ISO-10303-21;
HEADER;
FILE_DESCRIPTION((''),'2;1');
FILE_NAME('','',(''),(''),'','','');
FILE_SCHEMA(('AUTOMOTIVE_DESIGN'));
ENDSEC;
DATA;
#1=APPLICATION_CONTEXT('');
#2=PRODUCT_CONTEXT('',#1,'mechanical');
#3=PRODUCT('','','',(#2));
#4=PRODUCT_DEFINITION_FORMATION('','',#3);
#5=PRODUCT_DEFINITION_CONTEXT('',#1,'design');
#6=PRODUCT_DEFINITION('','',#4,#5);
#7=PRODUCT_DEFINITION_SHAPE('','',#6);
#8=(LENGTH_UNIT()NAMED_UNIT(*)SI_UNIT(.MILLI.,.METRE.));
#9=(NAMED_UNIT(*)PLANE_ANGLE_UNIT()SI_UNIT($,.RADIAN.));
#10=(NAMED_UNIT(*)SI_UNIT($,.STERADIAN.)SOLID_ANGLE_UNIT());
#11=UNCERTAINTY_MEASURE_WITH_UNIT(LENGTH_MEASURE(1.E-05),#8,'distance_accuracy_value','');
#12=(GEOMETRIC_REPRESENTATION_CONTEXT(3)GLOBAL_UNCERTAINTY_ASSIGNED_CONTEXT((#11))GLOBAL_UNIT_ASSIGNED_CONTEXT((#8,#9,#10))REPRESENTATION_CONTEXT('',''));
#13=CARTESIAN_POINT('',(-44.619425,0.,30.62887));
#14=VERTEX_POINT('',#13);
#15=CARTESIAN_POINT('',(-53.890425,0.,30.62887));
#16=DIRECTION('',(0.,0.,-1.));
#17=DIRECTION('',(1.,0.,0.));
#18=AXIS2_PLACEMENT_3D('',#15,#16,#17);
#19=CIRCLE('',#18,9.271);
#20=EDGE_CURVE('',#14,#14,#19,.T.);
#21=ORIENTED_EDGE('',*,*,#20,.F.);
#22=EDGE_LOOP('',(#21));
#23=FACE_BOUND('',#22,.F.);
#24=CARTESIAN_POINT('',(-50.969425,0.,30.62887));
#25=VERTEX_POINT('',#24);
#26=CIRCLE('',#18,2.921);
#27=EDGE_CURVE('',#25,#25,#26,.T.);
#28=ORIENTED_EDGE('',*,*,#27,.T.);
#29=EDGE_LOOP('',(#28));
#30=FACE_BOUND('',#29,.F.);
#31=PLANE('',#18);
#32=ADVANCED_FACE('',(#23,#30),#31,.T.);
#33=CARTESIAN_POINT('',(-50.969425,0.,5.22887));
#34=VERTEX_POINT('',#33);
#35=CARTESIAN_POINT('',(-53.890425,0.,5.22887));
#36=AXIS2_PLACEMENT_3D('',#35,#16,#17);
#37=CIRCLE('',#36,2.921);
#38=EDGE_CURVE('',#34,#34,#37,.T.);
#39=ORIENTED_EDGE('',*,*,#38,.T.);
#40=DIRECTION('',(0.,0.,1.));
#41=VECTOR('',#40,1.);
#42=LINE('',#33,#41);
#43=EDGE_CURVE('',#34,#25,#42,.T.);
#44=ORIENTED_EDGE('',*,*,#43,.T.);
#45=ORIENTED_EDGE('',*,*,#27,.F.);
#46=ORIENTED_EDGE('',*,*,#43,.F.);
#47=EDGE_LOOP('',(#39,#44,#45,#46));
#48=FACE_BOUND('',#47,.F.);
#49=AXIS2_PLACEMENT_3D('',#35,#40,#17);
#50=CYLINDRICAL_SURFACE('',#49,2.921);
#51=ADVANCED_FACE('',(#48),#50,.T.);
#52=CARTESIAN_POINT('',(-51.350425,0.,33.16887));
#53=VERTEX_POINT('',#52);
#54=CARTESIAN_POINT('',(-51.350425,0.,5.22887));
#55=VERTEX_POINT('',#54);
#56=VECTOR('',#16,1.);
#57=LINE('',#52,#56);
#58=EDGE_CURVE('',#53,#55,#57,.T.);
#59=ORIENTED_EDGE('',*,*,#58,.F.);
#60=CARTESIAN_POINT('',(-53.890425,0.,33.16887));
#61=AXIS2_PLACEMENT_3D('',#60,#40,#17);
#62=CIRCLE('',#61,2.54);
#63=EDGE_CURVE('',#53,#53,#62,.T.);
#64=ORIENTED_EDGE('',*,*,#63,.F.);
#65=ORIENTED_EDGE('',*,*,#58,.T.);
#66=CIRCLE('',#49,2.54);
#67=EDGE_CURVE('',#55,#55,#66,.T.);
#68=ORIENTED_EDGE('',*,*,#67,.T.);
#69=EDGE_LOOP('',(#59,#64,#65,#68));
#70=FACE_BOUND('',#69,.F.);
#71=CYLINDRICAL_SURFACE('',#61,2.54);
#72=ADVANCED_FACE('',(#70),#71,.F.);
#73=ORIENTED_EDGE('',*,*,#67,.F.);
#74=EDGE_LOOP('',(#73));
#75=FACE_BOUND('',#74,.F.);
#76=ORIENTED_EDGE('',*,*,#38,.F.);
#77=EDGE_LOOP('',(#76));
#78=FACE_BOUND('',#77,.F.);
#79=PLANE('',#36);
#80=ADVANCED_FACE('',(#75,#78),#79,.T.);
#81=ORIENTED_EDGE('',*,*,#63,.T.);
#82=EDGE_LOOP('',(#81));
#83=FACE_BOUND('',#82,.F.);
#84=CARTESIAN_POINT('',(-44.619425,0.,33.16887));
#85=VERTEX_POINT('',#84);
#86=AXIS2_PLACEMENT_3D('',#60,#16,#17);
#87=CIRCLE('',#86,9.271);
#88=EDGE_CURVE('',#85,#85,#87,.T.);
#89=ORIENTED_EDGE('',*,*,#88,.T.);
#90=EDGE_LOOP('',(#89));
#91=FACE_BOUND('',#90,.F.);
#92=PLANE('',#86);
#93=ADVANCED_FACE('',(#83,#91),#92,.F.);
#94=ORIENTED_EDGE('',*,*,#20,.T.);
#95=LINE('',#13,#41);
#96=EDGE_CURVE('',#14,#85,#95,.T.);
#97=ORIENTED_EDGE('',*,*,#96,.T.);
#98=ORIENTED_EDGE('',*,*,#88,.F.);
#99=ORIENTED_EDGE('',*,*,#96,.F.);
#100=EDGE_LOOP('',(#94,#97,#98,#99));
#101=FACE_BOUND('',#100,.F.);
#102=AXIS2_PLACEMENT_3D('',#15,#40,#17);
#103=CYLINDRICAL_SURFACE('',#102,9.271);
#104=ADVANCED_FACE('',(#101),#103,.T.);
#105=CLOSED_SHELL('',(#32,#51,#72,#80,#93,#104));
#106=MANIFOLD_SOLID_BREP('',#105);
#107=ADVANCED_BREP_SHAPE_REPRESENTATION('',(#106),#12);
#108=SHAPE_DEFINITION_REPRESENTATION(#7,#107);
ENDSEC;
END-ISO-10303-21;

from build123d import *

# Parameters (mm, degrees)
F2_R     = 2.54
F3_DEPTH = 31.75


with BuildPart() as f1:
    # F0 (on Front) → F1 (revolve)
    with BuildSketch(Plane.XZ):
        Polygon((-50.969425, 5.22887), (-50.969425, 30.62887), (-44.619425, 30.62887), (-44.619425, 33.16887), (-53.890425, 33.16887), (-53.890425, 5.22887), align=None)
    revolve(axis=Axis((-53.890425, 0, 19.19887), (0, 0, -1)))

    # F2 (on face) → F3 (cut)
    with BuildSketch(Plane.XY.offset(33.16887)):
        with Locations((-53.890425, 0)):
            Circle(F2_R)
    extrude(amount=-F3_DEPTH, mode=Mode.SUBTRACT)


solid = f1.part
